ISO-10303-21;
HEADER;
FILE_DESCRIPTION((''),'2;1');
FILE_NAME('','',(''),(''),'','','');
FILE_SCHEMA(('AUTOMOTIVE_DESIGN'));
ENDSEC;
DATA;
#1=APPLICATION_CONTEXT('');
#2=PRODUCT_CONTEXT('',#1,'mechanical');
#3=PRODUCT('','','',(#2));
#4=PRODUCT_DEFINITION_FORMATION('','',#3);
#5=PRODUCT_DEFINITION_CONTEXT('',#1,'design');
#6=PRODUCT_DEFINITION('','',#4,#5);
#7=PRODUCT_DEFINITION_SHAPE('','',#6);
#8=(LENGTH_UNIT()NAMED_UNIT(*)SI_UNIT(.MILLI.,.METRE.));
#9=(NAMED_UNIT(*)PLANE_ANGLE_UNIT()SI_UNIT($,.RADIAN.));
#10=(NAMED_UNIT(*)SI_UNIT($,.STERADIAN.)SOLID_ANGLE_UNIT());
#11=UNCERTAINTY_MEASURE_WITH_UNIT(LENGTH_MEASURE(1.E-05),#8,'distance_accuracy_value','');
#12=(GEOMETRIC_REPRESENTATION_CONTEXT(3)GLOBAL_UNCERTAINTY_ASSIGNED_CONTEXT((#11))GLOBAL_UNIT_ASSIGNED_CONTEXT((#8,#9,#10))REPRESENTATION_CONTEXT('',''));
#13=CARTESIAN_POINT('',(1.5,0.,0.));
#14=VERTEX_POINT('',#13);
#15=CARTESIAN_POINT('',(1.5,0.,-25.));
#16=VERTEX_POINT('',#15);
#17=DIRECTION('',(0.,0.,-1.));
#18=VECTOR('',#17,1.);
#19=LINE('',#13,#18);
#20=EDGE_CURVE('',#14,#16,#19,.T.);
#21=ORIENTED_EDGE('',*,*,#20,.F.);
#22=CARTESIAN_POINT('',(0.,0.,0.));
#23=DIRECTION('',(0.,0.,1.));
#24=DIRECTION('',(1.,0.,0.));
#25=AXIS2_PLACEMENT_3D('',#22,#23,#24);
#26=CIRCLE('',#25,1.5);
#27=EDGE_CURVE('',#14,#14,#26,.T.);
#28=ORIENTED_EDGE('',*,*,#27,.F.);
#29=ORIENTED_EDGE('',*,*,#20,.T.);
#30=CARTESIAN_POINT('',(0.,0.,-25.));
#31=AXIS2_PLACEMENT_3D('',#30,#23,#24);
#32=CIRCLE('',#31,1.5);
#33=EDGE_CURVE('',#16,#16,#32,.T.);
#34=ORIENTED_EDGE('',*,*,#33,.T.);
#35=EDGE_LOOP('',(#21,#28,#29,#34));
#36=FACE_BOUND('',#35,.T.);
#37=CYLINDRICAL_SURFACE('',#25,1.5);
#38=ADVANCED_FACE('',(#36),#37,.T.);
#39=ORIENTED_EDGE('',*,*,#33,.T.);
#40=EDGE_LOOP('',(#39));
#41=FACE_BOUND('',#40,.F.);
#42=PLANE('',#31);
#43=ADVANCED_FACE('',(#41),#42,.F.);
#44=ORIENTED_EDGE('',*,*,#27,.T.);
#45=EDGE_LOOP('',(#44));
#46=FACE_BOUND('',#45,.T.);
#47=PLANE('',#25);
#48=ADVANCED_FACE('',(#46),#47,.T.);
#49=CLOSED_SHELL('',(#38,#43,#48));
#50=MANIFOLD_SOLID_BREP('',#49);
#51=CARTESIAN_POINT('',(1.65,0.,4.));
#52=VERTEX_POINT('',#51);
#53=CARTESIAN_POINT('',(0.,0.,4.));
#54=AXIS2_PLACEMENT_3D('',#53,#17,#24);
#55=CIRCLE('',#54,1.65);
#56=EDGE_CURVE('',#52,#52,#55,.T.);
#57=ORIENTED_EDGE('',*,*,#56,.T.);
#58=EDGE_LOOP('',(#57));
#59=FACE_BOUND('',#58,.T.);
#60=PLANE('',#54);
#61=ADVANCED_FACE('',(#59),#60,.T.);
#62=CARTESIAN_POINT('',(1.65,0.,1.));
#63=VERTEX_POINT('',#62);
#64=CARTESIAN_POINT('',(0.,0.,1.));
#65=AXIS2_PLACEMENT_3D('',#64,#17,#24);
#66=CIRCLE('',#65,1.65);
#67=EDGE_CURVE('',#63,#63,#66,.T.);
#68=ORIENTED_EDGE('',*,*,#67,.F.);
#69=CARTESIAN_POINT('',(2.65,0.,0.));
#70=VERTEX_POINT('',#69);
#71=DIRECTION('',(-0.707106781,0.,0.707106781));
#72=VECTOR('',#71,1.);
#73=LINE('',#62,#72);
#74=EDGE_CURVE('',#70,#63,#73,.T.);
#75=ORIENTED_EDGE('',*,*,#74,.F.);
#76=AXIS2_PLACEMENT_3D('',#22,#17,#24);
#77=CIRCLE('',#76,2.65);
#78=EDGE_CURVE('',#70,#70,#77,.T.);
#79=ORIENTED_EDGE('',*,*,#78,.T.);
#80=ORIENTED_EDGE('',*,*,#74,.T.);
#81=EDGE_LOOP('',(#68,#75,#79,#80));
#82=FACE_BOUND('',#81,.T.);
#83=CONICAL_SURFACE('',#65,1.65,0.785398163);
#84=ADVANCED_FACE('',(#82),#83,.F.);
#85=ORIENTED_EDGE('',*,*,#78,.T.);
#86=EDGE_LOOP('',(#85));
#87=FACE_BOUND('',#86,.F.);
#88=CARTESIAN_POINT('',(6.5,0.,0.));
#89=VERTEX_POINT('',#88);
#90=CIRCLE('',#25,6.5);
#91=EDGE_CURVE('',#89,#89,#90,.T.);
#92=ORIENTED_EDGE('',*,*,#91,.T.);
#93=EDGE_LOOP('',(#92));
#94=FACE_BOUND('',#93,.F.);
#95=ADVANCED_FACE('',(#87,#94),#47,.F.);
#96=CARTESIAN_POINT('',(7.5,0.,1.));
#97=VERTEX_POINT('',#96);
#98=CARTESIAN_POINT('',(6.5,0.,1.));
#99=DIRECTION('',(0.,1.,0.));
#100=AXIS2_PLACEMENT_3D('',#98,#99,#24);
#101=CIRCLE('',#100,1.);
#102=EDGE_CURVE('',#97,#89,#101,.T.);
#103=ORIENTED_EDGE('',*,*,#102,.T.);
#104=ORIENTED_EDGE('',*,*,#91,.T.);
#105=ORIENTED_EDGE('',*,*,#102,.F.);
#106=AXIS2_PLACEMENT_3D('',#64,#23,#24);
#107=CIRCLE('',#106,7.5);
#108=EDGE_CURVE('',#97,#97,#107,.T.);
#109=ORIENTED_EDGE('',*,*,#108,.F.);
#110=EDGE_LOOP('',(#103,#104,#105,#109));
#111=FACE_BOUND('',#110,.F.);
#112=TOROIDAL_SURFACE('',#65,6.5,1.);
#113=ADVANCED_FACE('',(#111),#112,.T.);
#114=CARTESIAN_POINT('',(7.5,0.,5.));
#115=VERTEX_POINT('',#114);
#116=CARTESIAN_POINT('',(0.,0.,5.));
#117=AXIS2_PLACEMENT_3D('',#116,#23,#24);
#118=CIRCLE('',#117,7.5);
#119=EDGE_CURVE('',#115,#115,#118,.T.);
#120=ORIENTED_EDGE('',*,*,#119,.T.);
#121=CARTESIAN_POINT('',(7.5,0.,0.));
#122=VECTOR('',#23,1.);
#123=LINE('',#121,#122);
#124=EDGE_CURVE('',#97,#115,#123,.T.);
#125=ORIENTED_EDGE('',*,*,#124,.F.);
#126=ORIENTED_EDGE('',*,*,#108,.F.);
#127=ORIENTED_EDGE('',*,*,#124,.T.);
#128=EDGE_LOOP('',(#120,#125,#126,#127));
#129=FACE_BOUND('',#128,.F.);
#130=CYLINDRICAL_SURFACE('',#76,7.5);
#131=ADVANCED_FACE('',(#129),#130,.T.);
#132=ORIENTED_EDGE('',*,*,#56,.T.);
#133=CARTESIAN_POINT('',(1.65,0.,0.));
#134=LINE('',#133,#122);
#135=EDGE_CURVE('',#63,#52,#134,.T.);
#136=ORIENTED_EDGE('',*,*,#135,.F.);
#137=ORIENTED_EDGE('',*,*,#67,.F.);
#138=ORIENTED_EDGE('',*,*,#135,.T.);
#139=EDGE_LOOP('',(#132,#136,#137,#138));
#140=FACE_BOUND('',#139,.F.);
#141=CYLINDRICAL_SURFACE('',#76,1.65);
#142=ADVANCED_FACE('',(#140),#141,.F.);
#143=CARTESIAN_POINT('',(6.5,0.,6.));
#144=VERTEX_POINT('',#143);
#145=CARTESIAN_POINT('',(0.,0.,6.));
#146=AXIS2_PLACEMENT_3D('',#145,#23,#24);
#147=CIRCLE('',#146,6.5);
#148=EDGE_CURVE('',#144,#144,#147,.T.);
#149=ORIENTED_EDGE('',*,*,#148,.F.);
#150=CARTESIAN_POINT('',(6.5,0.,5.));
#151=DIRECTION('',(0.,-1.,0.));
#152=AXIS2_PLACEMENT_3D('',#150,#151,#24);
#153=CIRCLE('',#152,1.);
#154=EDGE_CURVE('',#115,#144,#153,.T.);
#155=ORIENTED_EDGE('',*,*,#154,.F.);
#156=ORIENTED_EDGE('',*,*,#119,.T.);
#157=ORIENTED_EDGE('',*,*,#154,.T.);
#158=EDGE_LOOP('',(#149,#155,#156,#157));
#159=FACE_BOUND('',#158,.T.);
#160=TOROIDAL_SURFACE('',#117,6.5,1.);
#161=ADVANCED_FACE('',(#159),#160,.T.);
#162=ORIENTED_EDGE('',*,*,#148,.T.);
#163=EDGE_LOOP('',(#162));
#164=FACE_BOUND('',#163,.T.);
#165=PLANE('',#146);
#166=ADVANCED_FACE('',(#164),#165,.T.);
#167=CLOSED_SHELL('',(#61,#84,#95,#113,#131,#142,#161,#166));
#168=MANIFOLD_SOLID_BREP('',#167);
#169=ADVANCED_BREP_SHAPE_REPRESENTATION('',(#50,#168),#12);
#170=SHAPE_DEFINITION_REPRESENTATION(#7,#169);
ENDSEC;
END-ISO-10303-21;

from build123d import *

# Parameters (mm, degrees)
SKETCH_R     = 7.5
PAD_DEPTH    = 6
FILLET_R     = 1
SKETCH001_R  = 1.65
POCKET_DEPTH = 4
CHAMFER_SIZE = 1
SKETCH002_R  = 1.5
PAD001_DEPTH = 25


with BuildPart() as rueda:
    # Sketch → Pad (new body)
    with BuildSketch(Plane.XY):
        Circle(SKETCH_R)
    extrude(amount=PAD_DEPTH)

    # Fillet
    fillet_edges = [rueda.edges().sort_by_distance(p)[0] for p in [
        (-7.5, 0, 6),
        (-7.5, 0, 0),
    ]]
    fillet(fillet_edges, radius=FILLET_R)

    # Sketch001 (on Face4 of Fillet) → Pocket (cut)
    with BuildSketch(Plane(origin=(0, 0, 0), x_dir=(1, 0, 0), z_dir=(0, 0, -1))):
        Circle(SKETCH001_R)
    extrude(amount=-POCKET_DEPTH, mode=Mode.SUBTRACT)

    # Chamfer
    chamfer_edges = [rueda.edges().sort_by_distance(p)[0] for p in [
        (-1.65, 0, 0),
    ]]
    chamfer(chamfer_edges, length=CHAMFER_SIZE)


with BuildPart() as eje:
    # Sketch002 → Pad001 (new body)
    with BuildSketch(Plane.XY):
        Circle(SKETCH002_R)
    extrude(amount=-PAD001_DEPTH)


solid = Compound([rueda.part, eje.part])
